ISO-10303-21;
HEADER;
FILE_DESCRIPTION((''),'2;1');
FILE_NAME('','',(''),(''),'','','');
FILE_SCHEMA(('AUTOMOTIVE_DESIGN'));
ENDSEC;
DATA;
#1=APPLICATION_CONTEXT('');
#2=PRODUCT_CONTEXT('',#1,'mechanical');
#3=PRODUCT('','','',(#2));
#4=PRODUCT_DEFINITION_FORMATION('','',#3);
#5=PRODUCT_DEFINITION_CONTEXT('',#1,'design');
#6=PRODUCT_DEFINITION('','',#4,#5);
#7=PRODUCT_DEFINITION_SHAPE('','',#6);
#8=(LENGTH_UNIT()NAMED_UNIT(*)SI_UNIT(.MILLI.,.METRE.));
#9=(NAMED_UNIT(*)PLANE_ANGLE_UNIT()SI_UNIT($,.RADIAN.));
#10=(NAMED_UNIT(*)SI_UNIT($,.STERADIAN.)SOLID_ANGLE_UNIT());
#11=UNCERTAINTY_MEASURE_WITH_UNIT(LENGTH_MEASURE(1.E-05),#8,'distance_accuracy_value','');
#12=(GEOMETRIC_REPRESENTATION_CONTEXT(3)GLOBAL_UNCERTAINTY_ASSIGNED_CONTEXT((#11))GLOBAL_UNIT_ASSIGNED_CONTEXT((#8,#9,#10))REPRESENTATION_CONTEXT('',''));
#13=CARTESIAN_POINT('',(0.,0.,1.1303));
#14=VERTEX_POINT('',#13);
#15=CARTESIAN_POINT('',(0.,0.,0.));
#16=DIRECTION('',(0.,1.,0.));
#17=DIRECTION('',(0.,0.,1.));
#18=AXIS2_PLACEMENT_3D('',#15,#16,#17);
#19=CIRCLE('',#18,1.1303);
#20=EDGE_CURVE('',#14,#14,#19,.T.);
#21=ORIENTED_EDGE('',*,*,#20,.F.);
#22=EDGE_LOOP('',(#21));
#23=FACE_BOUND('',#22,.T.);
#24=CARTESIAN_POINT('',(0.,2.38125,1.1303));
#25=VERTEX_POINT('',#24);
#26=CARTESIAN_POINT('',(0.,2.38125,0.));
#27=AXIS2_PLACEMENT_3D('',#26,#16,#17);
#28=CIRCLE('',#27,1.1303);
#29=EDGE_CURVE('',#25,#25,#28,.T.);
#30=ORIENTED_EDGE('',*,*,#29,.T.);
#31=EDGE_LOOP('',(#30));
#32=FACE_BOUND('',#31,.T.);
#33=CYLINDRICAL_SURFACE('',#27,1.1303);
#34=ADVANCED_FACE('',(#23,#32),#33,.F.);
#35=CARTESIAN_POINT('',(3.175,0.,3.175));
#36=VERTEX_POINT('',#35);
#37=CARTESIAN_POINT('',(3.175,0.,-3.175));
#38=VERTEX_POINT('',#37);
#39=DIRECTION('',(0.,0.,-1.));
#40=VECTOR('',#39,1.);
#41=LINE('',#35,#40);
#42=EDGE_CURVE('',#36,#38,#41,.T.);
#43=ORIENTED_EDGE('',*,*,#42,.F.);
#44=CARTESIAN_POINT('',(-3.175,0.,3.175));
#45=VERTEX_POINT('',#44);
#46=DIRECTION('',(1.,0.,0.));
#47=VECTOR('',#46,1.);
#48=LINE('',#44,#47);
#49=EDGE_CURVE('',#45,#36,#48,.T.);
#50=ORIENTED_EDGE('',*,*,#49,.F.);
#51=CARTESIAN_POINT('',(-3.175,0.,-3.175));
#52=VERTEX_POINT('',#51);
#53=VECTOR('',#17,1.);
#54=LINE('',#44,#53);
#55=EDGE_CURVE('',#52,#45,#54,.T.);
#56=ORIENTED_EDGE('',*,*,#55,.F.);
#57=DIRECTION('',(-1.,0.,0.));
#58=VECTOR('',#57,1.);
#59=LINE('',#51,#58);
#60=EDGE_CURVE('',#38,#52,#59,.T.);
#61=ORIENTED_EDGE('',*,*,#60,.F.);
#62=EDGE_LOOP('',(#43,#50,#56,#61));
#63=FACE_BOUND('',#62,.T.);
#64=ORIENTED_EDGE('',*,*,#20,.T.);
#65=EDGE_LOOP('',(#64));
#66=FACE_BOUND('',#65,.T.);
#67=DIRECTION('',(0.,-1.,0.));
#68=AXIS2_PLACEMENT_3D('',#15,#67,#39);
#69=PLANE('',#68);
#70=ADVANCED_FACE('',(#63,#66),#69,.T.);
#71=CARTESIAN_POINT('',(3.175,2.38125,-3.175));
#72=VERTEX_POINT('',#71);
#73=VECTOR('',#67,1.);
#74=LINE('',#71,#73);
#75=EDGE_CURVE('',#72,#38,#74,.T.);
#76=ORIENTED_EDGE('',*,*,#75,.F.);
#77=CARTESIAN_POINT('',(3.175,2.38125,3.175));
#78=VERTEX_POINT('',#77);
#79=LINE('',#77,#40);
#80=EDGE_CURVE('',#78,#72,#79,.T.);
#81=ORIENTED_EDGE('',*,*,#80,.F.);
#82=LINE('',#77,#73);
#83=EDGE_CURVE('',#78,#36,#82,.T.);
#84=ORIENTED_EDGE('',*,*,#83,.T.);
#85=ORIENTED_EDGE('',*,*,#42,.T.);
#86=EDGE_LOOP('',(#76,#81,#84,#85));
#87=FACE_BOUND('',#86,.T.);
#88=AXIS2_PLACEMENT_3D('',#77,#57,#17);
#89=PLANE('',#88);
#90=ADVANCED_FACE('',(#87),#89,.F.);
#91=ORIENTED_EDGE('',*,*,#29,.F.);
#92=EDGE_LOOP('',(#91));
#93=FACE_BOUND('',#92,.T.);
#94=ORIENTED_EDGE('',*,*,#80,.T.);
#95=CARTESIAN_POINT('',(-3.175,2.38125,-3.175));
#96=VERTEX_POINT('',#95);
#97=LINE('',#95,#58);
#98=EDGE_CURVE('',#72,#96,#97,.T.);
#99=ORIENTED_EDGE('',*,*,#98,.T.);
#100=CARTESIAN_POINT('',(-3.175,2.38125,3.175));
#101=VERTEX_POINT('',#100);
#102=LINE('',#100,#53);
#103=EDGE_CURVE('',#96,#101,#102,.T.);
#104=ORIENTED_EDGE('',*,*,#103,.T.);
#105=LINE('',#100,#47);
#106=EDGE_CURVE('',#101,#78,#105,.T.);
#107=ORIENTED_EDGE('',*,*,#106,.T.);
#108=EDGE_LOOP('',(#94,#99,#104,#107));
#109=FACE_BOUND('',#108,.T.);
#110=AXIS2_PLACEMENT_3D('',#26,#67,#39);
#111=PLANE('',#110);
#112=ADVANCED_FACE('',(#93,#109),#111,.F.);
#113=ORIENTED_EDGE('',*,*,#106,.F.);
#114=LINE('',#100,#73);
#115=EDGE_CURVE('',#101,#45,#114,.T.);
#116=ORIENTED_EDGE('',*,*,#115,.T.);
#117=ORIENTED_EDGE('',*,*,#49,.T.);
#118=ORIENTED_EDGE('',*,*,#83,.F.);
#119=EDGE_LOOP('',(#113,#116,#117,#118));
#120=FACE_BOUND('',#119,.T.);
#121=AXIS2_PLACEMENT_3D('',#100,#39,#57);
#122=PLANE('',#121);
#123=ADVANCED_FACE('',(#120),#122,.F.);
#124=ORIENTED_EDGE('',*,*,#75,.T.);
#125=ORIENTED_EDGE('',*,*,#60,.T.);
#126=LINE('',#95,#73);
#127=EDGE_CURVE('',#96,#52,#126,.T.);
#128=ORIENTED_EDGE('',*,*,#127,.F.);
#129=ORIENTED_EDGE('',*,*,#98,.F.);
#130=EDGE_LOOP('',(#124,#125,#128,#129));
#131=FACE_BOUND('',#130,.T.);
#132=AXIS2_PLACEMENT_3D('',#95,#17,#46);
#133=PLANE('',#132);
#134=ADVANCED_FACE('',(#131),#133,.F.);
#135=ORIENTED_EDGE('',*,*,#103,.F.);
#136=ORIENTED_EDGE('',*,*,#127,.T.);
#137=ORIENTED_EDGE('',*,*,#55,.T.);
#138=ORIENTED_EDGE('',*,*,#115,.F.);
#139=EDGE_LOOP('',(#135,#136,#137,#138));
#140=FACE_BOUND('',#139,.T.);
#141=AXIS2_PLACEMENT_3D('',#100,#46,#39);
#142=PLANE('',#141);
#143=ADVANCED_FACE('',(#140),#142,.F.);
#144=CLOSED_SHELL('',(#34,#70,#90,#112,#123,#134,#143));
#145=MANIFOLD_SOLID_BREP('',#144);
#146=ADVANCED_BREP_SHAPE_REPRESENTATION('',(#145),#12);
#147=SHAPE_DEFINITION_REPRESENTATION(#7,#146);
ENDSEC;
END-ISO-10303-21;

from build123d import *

# Parameters (mm, degrees)
SKETCH1_W             = 6.35
SKETCH1_H             = 6.35
BOSS_EXTRUDE1_DEPTH   = 2.38125
F_4_40_TAPPED_HOLE1_D = 2.2606


with BuildPart() as part:
    # Sketch1 → Boss-Extrude1 (new body)
    with BuildSketch(Plane(origin=(0, 0, 0), x_dir=(1, 0, 0), z_dir=(0, 1, 0))):
        Rectangle(SKETCH1_W, SKETCH1_H)
    extrude(amount=BOSS_EXTRUDE1_DEPTH)

    # #4-40 Tapped Hole1 (through all)
    with Locations(Plane(origin=(0, 2.38125, 0), x_dir=(1, 0, 0), z_dir=(0, 1, 0))):
        with Locations((0, 0)):
            Hole(F_4_40_TAPPED_HOLE1_D / 2)


solid = part.part
